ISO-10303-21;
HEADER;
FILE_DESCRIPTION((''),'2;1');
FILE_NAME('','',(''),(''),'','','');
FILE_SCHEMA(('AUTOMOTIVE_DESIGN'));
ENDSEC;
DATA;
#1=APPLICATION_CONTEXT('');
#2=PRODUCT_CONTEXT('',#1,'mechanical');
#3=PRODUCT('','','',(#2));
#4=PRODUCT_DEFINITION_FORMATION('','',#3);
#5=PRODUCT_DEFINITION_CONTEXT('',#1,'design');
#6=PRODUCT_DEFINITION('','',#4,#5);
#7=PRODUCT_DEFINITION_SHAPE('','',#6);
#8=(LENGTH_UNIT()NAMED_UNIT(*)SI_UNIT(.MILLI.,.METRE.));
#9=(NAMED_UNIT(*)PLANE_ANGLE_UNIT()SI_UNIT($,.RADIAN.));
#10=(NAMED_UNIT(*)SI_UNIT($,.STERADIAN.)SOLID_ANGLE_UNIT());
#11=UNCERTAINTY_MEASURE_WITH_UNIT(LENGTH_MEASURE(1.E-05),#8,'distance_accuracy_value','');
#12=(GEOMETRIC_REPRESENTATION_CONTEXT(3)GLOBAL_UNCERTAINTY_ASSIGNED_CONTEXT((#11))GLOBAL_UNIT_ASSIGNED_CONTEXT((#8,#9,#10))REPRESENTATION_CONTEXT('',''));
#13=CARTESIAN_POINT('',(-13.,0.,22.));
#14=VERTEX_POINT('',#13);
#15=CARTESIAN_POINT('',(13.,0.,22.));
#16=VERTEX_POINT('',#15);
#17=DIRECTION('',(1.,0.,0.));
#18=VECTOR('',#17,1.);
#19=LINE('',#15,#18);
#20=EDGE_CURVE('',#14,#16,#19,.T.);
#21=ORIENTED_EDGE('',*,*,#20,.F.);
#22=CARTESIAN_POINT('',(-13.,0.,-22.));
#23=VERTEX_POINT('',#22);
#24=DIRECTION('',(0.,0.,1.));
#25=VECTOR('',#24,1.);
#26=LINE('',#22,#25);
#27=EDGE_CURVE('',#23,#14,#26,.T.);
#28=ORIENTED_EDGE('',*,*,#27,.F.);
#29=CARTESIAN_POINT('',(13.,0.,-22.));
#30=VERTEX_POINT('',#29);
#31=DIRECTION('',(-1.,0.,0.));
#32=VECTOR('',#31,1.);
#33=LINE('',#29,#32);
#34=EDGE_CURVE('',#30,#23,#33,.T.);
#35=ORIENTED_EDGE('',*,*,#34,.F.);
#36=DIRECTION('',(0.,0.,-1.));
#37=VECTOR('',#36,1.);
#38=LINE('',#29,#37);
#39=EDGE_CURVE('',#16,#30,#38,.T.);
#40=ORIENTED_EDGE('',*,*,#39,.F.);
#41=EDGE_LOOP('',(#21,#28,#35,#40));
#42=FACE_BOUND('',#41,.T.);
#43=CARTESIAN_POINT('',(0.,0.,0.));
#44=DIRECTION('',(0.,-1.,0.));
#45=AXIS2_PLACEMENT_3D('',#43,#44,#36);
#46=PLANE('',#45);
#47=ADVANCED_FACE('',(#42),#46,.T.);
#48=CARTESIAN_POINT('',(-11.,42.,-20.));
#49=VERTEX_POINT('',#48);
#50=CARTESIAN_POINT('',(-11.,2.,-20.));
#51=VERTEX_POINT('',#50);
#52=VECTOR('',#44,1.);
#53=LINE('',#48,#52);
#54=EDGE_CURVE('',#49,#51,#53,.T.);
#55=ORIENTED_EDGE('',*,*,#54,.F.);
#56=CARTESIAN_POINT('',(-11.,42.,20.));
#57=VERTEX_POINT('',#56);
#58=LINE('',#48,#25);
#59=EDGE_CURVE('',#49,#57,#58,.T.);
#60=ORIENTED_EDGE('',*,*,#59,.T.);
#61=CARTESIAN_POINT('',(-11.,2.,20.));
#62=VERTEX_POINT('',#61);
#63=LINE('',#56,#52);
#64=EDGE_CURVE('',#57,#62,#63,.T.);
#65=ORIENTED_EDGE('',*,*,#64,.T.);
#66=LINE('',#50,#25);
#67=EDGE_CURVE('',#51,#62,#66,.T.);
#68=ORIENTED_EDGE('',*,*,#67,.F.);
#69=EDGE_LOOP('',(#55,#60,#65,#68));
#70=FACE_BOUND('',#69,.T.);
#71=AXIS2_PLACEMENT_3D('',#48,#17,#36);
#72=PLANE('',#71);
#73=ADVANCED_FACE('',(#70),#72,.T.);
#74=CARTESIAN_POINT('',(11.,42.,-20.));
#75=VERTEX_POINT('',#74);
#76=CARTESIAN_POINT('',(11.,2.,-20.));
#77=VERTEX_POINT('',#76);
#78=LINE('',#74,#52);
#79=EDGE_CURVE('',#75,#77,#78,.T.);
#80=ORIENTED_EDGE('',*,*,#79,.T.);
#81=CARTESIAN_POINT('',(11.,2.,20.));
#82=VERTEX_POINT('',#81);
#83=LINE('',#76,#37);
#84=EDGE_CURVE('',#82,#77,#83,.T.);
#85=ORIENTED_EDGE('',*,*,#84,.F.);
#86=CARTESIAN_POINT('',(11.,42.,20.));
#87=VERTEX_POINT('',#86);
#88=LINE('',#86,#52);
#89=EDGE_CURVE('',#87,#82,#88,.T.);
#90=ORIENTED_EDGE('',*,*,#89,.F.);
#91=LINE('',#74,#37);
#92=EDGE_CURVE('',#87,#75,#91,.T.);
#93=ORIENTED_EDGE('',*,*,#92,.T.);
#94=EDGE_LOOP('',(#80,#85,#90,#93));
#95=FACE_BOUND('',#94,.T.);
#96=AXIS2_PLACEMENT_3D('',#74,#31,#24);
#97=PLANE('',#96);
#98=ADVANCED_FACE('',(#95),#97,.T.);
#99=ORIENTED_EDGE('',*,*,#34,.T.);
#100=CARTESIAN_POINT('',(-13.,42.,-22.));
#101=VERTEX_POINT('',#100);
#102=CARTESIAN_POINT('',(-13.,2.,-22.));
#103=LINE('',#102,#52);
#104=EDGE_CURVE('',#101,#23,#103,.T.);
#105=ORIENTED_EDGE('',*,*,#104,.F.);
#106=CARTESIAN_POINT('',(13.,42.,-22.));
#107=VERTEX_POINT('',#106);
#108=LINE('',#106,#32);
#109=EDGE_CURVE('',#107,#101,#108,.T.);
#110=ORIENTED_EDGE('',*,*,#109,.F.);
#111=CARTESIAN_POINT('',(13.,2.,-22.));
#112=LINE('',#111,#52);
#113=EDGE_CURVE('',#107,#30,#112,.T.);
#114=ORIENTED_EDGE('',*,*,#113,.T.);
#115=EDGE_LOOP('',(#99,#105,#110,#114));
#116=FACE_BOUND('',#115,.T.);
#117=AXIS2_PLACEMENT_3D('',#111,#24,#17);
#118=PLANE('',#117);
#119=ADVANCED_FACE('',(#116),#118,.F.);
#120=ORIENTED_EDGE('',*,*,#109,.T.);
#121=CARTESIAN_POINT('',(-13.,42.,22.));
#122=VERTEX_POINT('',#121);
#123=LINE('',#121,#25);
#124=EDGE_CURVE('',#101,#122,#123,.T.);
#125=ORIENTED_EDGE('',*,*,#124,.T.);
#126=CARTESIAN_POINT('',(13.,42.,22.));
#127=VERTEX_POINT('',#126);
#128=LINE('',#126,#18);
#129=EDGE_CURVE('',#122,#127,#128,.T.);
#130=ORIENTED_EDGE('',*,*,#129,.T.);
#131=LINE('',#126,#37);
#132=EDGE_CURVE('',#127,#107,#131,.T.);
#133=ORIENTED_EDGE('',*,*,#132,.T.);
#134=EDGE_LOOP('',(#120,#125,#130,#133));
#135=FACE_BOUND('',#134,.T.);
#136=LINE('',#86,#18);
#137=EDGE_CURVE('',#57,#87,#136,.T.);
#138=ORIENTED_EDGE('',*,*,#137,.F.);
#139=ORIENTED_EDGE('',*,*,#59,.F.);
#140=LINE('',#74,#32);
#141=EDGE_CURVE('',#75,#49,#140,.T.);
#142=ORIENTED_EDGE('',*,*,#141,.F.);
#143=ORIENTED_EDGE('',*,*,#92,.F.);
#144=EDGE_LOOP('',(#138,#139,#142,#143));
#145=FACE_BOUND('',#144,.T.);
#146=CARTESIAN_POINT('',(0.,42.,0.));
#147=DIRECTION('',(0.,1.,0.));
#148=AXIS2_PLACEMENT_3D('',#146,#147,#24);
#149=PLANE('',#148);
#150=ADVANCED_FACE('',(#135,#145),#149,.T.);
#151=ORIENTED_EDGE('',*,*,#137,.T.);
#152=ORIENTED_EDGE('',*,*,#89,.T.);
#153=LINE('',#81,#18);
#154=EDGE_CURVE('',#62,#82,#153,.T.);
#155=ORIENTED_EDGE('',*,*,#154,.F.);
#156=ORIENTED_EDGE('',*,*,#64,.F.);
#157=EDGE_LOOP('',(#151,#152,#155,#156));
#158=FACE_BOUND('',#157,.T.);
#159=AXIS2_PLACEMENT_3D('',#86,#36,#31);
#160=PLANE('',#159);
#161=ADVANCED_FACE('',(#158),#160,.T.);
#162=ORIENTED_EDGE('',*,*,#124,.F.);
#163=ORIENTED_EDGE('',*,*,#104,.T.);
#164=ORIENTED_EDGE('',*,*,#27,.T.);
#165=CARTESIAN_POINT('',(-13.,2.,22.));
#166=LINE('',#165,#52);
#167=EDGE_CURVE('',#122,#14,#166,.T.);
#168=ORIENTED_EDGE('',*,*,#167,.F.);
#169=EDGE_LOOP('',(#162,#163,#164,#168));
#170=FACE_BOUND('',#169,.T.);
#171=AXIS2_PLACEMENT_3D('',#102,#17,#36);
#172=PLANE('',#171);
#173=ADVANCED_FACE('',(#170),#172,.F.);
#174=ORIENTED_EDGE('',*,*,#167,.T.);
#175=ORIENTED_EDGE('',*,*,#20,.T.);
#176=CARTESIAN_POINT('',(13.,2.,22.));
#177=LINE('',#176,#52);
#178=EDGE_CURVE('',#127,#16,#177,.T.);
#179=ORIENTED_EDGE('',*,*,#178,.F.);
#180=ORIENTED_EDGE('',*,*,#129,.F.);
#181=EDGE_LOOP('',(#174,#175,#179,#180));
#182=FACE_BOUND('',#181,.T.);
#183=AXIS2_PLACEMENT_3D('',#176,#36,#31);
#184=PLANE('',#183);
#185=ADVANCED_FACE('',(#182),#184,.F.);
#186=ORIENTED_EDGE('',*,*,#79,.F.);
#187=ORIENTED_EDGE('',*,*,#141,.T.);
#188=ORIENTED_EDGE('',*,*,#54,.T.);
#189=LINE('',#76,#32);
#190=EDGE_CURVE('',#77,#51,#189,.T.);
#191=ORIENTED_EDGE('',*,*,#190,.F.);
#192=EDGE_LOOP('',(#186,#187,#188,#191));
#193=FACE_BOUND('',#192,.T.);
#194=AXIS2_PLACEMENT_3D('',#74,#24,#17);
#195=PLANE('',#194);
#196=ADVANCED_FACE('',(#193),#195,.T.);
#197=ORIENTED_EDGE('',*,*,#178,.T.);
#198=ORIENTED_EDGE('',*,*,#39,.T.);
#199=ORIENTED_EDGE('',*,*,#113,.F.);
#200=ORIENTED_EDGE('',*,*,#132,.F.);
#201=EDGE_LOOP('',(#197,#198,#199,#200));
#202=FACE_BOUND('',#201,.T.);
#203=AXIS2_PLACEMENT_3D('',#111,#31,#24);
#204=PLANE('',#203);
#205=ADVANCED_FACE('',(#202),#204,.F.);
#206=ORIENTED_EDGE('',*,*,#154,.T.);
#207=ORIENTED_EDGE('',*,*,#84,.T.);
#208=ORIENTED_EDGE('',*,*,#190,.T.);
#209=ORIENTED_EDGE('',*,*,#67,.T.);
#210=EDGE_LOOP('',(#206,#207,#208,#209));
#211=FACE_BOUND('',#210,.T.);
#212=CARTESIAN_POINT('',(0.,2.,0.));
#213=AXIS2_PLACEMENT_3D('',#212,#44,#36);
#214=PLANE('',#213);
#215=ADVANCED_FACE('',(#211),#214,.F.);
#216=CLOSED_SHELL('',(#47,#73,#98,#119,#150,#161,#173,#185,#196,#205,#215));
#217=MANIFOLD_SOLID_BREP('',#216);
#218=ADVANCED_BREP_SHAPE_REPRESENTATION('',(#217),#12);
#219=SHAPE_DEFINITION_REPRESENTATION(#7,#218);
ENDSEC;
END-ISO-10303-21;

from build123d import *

# Parameters (mm, degrees)
CROQUIS1_W              = 26
CROQUIS1_H              = 44
SALIENTE_EXTRUIR1_DEPTH = 2
CROQUIS2_W              = 26
CROQUIS2_H              = 44
CROQUIS2_W_2            = 22
CROQUIS2_H_2            = 40
SALIENTE_EXTRUIR2_DEPTH = 40


with BuildPart() as part:
    # Croquis1 → Saliente-Extruir1 (new body)
    with BuildSketch(Plane(origin=(0, 0, 0), x_dir=(1, 0, 0), z_dir=(0, 1, 0))):
        Rectangle(CROQUIS1_W, CROQUIS1_H)
    extrude(amount=SALIENTE_EXTRUIR1_DEPTH)

    # Croquis2 → Saliente-Extruir2 (add)
    with BuildSketch(Plane(origin=(0, 2, 0), x_dir=(1, 0, 0), z_dir=(0, 1, 0))):
        Rectangle(CROQUIS2_W, CROQUIS2_H)
        Rectangle(CROQUIS2_W_2, CROQUIS2_H_2, mode=Mode.SUBTRACT)
    extrude(amount=SALIENTE_EXTRUIR2_DEPTH)


solid = part.part
